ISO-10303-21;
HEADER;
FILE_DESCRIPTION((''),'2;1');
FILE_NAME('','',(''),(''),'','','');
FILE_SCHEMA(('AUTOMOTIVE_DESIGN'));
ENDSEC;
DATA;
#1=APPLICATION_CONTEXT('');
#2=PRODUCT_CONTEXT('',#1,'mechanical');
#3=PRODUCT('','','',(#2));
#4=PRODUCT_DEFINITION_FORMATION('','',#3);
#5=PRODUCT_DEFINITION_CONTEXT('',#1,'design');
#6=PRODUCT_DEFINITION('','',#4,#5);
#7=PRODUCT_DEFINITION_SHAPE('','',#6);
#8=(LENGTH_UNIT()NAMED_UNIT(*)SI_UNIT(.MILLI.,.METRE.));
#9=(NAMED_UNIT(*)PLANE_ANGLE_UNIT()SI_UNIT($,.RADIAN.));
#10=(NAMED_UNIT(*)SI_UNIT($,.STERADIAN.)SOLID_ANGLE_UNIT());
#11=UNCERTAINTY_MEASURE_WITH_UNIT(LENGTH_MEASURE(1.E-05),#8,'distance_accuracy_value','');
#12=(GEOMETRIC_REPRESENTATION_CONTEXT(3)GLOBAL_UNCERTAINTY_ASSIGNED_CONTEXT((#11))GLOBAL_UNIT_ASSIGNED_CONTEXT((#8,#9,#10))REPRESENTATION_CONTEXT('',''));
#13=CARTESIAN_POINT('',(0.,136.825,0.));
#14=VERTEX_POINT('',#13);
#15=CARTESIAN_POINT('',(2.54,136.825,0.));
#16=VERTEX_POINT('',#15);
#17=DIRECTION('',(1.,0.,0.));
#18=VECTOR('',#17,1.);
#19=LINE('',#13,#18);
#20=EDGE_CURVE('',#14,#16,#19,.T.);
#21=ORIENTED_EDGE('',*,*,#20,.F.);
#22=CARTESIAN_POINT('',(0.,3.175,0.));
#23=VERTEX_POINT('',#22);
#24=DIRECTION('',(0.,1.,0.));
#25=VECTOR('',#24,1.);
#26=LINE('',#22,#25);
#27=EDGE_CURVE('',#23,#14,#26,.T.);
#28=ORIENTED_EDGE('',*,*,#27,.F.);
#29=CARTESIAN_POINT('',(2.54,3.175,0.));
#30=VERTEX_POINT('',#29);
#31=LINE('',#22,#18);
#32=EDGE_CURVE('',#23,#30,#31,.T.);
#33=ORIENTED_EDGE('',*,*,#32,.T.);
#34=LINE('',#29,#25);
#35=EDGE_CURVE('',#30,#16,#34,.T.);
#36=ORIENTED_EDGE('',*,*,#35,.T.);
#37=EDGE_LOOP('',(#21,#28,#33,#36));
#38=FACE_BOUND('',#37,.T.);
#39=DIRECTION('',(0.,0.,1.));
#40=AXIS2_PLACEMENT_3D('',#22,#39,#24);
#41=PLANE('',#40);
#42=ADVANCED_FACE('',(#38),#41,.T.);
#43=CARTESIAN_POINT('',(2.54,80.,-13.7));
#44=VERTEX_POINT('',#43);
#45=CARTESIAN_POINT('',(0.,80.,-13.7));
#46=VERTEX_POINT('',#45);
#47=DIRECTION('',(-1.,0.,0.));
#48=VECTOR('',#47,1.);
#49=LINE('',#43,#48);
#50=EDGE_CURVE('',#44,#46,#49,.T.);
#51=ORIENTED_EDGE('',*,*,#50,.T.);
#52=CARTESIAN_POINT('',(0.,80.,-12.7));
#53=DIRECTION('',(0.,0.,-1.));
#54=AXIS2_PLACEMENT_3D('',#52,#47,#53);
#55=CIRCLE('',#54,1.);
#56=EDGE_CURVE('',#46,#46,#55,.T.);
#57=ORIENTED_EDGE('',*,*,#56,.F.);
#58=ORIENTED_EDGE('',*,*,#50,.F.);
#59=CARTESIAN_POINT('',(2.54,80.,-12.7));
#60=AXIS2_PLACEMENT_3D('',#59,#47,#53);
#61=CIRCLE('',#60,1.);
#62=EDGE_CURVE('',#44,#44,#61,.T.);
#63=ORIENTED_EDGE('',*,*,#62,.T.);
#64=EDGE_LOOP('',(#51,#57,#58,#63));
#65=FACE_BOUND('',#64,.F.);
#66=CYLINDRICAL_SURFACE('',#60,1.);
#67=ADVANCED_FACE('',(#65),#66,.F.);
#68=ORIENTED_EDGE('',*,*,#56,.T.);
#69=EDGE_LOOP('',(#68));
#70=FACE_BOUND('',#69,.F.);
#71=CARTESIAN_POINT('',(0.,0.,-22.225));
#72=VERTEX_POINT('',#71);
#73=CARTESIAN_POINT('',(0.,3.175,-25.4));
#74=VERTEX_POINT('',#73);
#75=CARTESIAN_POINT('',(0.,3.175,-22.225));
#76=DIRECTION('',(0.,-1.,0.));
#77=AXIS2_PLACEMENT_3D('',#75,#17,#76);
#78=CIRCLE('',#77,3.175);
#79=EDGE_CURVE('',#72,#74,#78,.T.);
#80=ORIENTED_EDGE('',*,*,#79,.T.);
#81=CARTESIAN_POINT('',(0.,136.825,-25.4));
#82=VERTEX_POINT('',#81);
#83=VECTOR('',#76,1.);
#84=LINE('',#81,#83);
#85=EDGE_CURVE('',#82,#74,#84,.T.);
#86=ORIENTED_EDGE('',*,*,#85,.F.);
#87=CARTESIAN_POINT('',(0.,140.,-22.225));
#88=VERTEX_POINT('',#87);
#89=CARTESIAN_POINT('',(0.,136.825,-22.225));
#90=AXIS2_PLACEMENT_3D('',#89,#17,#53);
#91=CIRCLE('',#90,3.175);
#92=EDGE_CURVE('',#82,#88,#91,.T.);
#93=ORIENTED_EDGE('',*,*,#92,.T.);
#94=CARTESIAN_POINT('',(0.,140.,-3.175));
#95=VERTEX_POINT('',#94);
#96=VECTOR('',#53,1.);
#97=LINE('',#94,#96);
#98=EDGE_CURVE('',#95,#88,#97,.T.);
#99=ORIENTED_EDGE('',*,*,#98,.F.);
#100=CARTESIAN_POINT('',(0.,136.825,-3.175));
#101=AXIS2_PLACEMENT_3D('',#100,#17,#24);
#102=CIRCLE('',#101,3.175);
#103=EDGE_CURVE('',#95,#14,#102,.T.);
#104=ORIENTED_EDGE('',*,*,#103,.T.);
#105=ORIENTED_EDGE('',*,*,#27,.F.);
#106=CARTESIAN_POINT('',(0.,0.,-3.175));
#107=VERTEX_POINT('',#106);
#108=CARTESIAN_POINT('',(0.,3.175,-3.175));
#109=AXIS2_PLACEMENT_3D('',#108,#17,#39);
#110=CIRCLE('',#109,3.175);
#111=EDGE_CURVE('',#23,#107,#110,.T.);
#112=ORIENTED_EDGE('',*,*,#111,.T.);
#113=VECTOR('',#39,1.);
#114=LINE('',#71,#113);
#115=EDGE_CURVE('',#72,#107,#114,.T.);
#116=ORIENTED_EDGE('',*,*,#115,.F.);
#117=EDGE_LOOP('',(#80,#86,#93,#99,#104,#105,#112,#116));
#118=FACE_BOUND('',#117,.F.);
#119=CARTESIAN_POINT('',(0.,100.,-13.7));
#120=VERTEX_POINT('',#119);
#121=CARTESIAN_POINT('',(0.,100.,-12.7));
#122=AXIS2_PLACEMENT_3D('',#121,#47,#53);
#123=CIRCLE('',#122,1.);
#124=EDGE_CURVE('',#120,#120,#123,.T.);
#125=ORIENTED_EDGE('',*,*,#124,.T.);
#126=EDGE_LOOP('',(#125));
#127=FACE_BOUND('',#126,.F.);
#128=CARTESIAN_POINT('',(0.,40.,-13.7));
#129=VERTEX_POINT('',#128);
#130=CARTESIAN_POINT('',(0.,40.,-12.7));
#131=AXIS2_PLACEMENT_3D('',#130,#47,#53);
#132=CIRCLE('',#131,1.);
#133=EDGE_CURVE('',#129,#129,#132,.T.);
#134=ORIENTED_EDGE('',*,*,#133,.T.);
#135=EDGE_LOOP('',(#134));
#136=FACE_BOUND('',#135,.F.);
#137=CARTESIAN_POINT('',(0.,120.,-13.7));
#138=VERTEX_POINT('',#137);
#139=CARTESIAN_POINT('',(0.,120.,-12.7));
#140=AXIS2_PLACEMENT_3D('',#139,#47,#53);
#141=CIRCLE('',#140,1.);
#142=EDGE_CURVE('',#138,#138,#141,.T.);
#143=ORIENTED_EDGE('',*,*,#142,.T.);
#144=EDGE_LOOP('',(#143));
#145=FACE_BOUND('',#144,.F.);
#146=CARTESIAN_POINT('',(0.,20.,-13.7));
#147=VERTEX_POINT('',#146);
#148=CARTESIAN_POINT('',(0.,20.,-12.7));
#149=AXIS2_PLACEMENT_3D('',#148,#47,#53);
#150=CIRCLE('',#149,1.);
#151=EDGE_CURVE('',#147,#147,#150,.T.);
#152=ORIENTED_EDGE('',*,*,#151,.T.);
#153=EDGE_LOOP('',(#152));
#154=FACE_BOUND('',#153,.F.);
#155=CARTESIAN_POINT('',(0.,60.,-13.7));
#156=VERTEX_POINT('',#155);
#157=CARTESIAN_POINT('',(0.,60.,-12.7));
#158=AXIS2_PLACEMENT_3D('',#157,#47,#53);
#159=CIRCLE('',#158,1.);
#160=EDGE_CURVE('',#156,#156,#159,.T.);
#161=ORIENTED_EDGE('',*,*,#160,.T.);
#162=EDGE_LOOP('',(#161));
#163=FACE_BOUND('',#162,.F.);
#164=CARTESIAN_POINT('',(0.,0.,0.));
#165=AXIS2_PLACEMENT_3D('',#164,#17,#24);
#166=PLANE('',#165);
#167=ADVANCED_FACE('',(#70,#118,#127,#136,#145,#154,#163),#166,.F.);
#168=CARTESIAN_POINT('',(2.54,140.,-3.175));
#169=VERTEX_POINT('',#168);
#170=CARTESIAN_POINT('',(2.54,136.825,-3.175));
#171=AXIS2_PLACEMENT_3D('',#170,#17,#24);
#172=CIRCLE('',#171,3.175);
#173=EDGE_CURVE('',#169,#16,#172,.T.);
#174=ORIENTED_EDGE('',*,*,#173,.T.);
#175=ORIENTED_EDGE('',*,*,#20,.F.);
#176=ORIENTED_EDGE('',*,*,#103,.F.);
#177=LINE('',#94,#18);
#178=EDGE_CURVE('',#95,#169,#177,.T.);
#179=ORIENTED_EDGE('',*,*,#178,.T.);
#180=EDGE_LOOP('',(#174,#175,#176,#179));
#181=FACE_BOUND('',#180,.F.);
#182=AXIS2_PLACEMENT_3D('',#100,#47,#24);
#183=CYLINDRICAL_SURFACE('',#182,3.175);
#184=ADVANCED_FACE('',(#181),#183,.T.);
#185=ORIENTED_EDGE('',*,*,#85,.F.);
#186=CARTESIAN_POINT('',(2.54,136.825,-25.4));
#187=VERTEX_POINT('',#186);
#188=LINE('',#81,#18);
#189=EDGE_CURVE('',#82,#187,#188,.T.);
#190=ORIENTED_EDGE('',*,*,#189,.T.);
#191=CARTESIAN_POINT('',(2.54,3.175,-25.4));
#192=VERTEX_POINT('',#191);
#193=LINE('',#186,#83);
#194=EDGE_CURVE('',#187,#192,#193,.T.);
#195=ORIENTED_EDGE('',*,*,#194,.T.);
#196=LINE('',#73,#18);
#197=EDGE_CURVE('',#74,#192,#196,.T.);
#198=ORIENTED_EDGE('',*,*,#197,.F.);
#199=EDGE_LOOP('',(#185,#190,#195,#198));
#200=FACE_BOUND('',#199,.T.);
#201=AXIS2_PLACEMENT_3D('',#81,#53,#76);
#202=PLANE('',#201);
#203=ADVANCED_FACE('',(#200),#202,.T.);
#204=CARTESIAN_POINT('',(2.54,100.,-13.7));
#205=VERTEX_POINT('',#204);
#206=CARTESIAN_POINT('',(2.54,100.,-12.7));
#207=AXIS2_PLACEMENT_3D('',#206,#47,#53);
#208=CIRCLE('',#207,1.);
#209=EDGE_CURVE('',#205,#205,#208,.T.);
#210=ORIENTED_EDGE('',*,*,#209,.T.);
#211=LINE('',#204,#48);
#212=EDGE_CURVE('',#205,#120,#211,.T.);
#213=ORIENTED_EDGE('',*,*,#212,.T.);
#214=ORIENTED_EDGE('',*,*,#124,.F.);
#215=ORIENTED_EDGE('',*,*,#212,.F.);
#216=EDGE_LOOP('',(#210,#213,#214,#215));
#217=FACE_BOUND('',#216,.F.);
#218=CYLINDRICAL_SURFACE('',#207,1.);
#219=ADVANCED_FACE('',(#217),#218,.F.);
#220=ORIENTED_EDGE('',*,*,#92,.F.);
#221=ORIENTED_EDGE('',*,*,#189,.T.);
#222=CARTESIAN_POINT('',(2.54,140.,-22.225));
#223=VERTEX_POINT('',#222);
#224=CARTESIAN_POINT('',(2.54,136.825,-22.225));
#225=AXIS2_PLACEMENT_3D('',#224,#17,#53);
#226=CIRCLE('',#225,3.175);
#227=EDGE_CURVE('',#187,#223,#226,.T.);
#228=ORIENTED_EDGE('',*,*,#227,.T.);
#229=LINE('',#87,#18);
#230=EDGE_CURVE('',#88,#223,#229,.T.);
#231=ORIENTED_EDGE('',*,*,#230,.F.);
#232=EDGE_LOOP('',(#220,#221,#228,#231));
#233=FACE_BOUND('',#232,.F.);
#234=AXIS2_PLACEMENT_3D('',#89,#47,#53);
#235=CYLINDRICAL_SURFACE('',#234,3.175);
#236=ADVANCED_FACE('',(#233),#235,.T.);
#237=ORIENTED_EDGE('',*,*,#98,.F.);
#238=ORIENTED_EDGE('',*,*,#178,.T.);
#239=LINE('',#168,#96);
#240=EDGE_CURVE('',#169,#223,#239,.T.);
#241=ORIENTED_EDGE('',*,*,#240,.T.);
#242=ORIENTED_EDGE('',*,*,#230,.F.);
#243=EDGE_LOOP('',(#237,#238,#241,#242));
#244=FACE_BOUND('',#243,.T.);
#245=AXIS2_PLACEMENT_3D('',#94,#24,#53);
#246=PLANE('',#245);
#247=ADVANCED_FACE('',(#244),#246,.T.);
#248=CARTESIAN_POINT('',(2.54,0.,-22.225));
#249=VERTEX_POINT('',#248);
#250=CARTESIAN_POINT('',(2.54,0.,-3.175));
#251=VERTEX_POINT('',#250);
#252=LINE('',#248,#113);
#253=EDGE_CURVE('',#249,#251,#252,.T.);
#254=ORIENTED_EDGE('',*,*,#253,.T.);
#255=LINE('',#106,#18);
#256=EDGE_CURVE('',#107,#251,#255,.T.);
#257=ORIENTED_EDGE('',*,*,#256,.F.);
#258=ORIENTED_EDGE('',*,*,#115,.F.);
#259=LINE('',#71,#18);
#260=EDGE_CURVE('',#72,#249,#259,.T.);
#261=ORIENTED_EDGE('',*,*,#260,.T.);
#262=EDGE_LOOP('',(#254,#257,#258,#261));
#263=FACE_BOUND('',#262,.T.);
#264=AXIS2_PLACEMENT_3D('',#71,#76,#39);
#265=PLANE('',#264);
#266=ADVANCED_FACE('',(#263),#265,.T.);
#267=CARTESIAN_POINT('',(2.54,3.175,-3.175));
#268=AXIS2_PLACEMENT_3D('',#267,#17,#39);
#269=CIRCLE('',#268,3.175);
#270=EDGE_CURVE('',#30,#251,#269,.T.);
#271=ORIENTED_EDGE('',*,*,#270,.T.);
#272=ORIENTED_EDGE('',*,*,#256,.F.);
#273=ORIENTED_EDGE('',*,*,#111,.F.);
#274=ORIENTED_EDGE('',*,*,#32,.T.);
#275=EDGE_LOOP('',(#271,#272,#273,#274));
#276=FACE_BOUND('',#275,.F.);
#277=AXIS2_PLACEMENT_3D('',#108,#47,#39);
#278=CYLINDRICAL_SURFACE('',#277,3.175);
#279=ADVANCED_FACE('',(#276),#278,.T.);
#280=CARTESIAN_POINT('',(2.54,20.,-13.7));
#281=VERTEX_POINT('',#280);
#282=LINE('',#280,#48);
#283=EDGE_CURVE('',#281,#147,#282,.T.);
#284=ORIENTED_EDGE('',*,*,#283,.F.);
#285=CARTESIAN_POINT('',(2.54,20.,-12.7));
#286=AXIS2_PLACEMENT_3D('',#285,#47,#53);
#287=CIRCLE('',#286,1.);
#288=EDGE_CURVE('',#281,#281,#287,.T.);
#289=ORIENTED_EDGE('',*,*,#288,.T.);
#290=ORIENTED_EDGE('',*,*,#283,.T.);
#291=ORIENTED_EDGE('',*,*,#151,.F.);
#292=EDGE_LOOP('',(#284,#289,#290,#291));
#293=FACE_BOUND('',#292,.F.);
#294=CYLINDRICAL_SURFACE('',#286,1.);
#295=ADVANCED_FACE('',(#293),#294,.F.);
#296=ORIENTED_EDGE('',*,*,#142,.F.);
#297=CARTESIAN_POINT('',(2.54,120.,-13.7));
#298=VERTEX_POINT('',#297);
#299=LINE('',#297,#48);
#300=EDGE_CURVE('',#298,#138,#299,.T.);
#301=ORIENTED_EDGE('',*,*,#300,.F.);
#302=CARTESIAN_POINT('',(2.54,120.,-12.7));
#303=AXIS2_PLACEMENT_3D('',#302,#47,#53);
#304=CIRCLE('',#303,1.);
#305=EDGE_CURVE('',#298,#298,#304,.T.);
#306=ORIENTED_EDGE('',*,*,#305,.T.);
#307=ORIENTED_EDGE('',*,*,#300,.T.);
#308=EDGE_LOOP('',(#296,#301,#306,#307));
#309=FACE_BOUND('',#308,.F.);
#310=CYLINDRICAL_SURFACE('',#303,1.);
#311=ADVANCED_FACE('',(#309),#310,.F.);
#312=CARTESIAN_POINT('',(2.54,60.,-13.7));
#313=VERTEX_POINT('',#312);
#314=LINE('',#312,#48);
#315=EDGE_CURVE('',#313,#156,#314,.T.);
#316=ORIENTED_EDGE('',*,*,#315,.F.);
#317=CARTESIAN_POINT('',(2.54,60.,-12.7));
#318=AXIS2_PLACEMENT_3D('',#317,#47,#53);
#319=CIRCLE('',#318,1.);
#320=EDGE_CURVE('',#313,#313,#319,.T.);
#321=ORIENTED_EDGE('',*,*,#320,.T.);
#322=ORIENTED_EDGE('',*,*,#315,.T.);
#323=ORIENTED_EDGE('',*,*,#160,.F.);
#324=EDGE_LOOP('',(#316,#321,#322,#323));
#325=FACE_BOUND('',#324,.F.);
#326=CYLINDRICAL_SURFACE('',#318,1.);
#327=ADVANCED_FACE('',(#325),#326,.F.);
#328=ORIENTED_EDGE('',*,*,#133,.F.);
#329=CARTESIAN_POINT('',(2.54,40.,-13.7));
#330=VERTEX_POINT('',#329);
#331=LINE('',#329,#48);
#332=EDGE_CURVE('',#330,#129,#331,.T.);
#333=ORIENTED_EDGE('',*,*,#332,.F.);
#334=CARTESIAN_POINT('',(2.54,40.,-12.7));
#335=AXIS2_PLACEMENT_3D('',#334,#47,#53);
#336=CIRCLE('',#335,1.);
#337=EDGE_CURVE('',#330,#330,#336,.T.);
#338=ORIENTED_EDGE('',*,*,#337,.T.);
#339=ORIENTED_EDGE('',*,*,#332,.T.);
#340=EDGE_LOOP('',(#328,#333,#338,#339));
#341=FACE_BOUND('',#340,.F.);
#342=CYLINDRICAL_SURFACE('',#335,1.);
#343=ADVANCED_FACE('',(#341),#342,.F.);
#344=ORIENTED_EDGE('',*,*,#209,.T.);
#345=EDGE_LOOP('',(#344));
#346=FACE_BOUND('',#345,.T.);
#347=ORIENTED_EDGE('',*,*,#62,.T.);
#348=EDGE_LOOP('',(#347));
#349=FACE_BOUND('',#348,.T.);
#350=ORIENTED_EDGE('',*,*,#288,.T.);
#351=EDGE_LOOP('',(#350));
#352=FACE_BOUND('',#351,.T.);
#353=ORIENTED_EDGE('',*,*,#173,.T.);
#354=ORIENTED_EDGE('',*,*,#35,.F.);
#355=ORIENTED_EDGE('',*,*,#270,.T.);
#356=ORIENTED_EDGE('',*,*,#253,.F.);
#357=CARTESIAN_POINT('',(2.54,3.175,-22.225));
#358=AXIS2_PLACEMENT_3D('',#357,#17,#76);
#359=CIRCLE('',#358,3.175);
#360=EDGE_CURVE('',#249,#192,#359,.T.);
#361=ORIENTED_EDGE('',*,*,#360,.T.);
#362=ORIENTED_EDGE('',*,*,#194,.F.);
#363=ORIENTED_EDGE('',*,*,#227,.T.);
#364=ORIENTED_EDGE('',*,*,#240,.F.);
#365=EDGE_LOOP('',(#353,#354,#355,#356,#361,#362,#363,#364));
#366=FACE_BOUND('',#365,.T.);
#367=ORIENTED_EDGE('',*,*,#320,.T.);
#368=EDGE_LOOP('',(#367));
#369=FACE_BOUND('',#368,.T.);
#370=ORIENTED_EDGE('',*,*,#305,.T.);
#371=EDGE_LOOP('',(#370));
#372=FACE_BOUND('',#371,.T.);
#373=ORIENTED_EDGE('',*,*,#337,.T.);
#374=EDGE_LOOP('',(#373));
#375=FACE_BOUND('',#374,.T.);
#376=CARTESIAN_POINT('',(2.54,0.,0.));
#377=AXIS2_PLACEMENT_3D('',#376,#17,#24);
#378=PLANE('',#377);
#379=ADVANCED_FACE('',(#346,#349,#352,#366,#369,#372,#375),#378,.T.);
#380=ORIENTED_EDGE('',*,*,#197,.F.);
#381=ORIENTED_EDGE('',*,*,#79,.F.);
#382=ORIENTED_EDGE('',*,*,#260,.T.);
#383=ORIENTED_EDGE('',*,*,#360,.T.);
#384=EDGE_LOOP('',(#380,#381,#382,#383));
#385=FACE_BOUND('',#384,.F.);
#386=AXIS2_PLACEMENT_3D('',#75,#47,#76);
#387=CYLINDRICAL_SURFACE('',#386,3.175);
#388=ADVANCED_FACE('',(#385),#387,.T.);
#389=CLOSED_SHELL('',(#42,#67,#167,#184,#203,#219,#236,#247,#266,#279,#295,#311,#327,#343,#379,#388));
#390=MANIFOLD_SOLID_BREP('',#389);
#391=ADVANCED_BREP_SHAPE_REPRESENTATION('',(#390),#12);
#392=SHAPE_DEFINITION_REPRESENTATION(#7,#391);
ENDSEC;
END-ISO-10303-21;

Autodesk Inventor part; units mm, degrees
ref_plane "YZ Plane" through (0, 0, 0) normal (1, 0, 0) x (0, 1, 0)
ref_plane "XZ Plane" through (0, 0, 0) normal (0, 1, 0) x (-1, 0, 0)
ref_plane "XY Plane" through (0, 0, 0) normal (0, 0, 1) x (1, 0, 0)
sketch "Sketch1" plane through (0, 0, 0) normal (1, 0, 0) x (0, 1, 0)
  line L0 (3.175, 0) -> (136.825, 0)
  line L1 (140, -3.175) -> (140, -22.225)
  line L2 (136.825, -25.4) -> (3.175, -25.4)
  line L3 (0, -22.225) -> (0, -3.175)
  arc A0 (140, -3.175) -> (136.825, 0) centre (136.825, -3.175) ccw
  arc A1 (136.825, -25.4) -> (140, -22.225) centre (136.825, -22.225) ccw
  arc A2 (0, -22.225) -> (3.175, -25.4) centre (3.175, -22.225) ccw
  arc A3 (3.175, 0) -> (0, -3.175) centre (3.175, -3.175) ccw
  point P0 (0, 0)
  point P1 (140, 0)
  point P2 (0, -25.4)
  dimension "d0" = 25.4
  dimension "d1" = 140
  dimension "d2" = 3.175
extrude "Extrusion1" add sketch "Sketch1" along normal blind 2.54
sketch "Sketch3" plane through (2.54, 0, 0) normal (1, 0, 0) x (0, 0, -1)
  line L0 (22.225, 140) -> (3.175, 140) projected
  line L1 (0, 136.825) -> (0, 3.175) projected
  circle A0 centre (12.7, 120) radius 1.9226
  circle A1 centre (12.7, 100) radius 1.9226
  circle A2 centre (12.7, 80) radius 1.9226
  circle A3 centre (12.7, 60) radius 1.9226
  circle A4 centre (12.7, 40) radius 1.9226
  circle A5 centre (12.7, 20) radius 1.9226
  point P0 (0, 0)
  dimension "d29" = 20
  dimension "d32" = 20
hole "Hole2" at (2.54, 40, -12.7) at (2.54, 20, -12.7) at (2.54, 60, -12.7) at (2.54, 80, -12.7) at (2.54, 100, -12.7) at (2.54, 120, -12.7) direction (-1, 0, 0) diameter 2 depth 25.4 tip angle 118
properties part number "joinerBracket" material "Steel"
